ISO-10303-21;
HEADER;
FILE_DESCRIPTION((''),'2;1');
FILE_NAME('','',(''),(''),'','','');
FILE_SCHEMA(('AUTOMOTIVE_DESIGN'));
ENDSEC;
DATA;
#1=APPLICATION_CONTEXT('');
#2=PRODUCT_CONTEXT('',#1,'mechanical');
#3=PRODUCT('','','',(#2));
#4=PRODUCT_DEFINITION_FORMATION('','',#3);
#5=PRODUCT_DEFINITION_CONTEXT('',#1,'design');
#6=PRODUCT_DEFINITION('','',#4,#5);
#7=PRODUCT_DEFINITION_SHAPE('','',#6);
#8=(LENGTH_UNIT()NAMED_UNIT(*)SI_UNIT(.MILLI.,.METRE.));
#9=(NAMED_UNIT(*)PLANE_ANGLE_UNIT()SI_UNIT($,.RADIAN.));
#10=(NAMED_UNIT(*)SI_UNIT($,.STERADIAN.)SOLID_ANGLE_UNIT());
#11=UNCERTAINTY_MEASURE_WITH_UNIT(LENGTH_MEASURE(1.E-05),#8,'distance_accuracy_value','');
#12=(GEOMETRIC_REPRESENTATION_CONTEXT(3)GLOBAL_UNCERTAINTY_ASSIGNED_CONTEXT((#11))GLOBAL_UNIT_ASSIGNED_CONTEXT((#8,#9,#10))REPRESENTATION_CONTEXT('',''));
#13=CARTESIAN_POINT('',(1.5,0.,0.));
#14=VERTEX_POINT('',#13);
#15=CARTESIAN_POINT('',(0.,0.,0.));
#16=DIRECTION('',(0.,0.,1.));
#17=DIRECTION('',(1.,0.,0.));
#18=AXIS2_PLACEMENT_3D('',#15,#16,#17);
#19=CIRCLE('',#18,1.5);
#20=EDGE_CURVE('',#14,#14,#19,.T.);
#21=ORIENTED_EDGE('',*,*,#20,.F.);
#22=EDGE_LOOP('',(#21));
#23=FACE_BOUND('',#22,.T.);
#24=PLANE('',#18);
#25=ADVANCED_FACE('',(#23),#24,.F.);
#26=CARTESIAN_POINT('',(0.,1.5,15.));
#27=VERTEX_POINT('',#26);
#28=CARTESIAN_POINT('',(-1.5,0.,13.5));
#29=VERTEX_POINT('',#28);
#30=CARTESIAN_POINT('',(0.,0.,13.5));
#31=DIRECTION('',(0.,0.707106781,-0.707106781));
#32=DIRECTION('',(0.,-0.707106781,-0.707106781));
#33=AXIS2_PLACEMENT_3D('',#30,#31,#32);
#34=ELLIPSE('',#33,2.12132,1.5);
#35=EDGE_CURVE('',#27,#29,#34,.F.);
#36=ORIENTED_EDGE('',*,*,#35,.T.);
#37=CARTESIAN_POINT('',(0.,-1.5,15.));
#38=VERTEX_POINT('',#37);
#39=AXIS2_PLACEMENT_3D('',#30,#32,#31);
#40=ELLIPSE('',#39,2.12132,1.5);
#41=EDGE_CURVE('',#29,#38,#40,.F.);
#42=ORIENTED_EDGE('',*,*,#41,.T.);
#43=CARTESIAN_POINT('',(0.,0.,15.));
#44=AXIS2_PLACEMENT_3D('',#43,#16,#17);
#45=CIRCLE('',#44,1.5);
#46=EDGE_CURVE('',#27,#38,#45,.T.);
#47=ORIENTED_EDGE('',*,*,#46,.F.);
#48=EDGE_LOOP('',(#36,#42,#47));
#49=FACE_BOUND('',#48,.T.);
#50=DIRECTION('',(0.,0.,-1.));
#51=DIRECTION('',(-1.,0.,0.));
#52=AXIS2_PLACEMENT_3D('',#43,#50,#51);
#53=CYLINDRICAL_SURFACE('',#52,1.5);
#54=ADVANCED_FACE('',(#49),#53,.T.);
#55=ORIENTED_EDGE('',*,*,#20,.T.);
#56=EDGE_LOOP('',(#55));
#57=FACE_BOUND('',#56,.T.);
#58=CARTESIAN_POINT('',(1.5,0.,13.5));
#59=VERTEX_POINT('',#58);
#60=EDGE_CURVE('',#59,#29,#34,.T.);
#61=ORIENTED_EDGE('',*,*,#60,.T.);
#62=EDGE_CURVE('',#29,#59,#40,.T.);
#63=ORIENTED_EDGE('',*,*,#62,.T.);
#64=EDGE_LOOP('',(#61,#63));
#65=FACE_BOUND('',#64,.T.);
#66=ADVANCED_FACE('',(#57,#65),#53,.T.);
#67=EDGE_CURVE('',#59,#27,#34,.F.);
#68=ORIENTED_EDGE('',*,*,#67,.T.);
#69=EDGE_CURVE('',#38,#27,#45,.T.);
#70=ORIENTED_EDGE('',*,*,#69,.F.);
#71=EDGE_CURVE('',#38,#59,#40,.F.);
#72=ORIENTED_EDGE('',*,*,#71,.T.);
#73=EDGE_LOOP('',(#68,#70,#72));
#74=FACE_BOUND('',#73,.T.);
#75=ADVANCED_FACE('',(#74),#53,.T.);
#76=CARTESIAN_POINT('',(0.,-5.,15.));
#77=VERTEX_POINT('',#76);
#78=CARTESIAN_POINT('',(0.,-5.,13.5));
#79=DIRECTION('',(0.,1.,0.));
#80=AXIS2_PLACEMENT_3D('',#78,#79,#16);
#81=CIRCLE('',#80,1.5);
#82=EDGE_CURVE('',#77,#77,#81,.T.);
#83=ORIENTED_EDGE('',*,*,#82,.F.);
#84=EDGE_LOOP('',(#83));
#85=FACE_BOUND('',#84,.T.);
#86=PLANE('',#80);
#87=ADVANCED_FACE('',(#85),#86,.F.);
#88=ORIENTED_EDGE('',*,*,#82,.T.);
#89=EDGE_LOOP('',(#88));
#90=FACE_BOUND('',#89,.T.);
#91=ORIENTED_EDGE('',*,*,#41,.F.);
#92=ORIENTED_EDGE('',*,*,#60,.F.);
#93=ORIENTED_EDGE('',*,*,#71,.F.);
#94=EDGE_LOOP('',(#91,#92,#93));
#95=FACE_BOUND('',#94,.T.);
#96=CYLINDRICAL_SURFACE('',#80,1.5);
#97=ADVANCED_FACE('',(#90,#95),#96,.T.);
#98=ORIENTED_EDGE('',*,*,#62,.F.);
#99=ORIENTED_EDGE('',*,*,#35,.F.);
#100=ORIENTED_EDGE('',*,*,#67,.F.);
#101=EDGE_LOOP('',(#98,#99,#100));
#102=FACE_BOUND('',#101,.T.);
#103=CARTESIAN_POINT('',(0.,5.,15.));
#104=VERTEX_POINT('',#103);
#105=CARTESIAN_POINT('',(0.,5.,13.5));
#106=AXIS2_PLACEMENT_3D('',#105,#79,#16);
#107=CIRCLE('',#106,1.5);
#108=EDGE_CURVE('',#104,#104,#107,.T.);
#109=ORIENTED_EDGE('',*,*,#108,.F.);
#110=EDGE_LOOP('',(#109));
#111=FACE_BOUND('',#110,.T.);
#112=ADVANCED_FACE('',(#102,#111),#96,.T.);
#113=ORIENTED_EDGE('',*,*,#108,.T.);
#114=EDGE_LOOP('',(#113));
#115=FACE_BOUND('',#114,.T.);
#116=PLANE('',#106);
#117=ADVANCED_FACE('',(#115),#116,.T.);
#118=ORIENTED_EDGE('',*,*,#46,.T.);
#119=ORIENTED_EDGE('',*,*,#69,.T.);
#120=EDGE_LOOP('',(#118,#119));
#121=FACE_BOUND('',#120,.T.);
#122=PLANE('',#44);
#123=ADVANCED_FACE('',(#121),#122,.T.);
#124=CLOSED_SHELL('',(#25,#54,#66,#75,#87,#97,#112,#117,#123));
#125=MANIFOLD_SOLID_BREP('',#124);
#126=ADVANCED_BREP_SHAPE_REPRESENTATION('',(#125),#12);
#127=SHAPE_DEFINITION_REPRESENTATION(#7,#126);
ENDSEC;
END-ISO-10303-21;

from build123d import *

# Parameters (mm, degrees)
SKETCH1_R                = 1.5
BOSS_EXTRUDE1_DEPTH      = 15
BOSS_EXTRUDE2_DEPTH      = 5
BOSS_EXTRUDE2_DEPTH_BACK = 5
SKETCH2_R                = 1.5


with BuildPart() as part:
    # Sketch1 → Boss-Extrude1 (new body)
    with BuildSketch(Plane.XY):
        Circle(SKETCH1_R)
    extrude(amount=BOSS_EXTRUDE1_DEPTH)

    # Sketch2 → Boss-Extrude2 (add, two sides: drawn at the far end of the back side and taken through both)
    with BuildSketch(Plane(origin=(0, 0, 0), x_dir=(1, 0, 0), z_dir=(0, 1, 0)).offset(-BOSS_EXTRUDE2_DEPTH_BACK)):
        with Locations((0, -13.5)):
            Circle(SKETCH2_R)
    extrude(amount=BOSS_EXTRUDE2_DEPTH + BOSS_EXTRUDE2_DEPTH_BACK)


solid = part.part
